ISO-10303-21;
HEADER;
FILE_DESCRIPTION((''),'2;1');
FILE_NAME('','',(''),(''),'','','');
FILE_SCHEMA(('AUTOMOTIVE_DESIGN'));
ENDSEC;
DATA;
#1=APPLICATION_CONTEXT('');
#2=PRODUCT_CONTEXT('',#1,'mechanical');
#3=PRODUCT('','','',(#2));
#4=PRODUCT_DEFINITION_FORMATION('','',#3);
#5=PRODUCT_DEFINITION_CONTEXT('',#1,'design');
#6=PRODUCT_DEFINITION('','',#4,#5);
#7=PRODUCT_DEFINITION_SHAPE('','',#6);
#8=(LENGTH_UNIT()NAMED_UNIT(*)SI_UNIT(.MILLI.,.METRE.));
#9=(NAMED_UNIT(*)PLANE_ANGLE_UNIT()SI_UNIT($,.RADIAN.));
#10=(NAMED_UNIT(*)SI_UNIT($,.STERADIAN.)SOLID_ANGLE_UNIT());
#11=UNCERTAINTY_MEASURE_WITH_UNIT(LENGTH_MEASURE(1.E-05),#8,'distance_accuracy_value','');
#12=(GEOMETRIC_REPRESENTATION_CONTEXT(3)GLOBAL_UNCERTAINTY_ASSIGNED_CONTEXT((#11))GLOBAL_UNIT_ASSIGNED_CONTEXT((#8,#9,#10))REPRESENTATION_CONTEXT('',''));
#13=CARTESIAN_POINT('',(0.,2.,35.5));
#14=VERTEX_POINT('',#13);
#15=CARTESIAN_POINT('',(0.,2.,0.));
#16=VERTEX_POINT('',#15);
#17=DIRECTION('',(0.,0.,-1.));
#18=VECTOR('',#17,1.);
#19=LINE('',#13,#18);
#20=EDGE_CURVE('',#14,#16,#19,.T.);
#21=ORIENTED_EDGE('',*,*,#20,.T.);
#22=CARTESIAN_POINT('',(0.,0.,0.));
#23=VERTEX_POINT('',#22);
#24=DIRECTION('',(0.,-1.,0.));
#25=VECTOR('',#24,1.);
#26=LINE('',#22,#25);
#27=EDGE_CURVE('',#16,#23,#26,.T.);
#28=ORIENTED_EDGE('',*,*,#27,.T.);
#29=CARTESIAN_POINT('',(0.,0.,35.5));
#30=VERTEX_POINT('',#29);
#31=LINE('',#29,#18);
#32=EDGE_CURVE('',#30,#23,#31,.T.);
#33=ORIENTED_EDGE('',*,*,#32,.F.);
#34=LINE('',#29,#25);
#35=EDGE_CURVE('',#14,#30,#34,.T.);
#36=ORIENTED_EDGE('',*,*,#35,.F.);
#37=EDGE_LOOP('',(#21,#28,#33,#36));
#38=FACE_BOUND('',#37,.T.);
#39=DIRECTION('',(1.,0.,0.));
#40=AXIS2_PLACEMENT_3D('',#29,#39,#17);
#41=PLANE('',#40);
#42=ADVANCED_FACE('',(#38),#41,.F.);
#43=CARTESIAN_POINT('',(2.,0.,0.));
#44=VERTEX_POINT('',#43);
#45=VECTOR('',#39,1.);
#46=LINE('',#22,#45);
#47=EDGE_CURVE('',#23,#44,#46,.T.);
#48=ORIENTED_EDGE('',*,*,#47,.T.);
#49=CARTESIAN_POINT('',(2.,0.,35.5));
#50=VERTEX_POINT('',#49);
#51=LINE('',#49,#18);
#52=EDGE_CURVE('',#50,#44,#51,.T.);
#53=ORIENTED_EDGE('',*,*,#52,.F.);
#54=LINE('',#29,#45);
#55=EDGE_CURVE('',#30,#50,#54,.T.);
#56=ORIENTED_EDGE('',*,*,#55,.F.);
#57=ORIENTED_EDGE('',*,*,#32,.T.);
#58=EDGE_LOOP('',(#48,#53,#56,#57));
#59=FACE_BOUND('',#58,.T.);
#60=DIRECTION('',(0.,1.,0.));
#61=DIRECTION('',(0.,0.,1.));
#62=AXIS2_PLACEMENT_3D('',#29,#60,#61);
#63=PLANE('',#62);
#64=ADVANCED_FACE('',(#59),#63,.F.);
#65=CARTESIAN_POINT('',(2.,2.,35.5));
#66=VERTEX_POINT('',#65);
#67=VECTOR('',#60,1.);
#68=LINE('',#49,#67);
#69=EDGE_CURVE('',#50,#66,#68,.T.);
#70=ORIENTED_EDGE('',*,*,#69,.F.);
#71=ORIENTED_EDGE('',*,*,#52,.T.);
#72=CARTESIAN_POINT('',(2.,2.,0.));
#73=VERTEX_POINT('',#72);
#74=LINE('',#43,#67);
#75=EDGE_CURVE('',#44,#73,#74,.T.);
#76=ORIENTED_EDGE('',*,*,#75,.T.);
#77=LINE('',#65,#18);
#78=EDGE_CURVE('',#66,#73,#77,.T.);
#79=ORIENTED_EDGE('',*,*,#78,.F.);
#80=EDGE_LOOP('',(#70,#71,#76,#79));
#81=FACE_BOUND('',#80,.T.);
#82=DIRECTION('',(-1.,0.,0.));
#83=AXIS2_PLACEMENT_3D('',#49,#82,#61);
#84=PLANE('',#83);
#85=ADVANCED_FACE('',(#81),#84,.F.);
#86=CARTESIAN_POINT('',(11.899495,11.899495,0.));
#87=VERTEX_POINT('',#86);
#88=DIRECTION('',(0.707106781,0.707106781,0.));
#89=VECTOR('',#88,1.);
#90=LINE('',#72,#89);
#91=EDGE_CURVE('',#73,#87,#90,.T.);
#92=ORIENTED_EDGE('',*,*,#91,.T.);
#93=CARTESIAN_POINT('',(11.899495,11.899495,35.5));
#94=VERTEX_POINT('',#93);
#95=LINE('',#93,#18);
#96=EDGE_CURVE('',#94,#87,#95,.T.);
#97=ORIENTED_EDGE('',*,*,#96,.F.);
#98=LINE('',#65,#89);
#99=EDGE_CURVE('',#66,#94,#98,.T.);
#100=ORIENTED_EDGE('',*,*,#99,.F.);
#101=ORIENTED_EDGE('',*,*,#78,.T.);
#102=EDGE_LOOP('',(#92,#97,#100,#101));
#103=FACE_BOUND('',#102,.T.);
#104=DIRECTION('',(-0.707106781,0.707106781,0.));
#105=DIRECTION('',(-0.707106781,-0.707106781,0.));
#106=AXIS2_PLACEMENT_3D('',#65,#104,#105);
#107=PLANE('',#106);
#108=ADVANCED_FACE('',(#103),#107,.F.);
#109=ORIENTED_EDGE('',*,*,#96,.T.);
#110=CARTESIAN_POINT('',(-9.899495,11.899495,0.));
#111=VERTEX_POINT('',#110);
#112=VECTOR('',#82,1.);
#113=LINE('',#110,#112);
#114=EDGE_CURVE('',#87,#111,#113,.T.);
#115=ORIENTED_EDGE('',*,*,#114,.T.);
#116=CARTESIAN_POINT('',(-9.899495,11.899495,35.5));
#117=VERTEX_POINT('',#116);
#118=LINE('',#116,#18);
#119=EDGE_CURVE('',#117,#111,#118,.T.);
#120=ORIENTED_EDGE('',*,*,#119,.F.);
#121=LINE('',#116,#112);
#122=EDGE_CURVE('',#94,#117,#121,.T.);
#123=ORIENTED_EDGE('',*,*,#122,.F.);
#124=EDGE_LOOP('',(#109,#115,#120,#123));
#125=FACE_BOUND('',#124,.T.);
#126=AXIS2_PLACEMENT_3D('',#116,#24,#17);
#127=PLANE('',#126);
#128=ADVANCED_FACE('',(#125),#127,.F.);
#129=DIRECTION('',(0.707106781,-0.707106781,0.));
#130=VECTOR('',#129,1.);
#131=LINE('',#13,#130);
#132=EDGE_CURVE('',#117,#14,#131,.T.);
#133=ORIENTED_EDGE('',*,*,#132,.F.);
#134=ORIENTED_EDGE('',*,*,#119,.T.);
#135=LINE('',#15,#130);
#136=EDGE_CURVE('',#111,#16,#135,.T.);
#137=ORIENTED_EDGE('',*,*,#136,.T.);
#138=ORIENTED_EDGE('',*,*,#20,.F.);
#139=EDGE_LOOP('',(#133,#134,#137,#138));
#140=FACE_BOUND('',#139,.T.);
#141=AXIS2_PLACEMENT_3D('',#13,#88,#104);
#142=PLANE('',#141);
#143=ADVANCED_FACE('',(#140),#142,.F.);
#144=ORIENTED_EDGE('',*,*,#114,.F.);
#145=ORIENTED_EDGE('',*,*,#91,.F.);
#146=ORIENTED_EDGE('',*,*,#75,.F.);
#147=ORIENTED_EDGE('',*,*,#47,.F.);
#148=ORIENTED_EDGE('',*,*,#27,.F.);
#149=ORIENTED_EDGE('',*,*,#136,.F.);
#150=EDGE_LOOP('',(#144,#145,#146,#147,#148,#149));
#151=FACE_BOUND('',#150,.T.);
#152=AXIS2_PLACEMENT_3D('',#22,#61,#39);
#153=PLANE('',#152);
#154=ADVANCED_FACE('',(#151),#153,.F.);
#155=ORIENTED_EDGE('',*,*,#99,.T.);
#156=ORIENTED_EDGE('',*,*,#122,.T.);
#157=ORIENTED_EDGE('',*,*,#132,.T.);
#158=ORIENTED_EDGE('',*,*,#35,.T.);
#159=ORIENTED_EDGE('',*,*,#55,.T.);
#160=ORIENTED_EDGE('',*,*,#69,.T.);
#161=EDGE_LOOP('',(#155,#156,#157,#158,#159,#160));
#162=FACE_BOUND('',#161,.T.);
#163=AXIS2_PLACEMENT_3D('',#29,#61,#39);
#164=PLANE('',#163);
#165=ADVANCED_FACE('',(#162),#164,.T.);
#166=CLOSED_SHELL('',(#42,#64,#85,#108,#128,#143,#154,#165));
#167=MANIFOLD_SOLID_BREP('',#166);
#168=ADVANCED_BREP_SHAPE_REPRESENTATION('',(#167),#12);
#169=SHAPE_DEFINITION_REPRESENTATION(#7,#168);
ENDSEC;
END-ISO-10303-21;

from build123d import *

# Parameters (mm, degrees)
BOSS_EXTRUDE1_DEPTH = 35.5


with BuildPart() as part:
    # Sketch1 → Boss-Extrude1 (new body)
    with BuildSketch(Plane.XY):
        Polygon((0, 0), (0, 2), (-9.899494937, 11.899494937), (11.899494937, 11.899494937), (2, 2), (2, 0), align=None)
    extrude(amount=BOSS_EXTRUDE1_DEPTH)


solid = part.part
